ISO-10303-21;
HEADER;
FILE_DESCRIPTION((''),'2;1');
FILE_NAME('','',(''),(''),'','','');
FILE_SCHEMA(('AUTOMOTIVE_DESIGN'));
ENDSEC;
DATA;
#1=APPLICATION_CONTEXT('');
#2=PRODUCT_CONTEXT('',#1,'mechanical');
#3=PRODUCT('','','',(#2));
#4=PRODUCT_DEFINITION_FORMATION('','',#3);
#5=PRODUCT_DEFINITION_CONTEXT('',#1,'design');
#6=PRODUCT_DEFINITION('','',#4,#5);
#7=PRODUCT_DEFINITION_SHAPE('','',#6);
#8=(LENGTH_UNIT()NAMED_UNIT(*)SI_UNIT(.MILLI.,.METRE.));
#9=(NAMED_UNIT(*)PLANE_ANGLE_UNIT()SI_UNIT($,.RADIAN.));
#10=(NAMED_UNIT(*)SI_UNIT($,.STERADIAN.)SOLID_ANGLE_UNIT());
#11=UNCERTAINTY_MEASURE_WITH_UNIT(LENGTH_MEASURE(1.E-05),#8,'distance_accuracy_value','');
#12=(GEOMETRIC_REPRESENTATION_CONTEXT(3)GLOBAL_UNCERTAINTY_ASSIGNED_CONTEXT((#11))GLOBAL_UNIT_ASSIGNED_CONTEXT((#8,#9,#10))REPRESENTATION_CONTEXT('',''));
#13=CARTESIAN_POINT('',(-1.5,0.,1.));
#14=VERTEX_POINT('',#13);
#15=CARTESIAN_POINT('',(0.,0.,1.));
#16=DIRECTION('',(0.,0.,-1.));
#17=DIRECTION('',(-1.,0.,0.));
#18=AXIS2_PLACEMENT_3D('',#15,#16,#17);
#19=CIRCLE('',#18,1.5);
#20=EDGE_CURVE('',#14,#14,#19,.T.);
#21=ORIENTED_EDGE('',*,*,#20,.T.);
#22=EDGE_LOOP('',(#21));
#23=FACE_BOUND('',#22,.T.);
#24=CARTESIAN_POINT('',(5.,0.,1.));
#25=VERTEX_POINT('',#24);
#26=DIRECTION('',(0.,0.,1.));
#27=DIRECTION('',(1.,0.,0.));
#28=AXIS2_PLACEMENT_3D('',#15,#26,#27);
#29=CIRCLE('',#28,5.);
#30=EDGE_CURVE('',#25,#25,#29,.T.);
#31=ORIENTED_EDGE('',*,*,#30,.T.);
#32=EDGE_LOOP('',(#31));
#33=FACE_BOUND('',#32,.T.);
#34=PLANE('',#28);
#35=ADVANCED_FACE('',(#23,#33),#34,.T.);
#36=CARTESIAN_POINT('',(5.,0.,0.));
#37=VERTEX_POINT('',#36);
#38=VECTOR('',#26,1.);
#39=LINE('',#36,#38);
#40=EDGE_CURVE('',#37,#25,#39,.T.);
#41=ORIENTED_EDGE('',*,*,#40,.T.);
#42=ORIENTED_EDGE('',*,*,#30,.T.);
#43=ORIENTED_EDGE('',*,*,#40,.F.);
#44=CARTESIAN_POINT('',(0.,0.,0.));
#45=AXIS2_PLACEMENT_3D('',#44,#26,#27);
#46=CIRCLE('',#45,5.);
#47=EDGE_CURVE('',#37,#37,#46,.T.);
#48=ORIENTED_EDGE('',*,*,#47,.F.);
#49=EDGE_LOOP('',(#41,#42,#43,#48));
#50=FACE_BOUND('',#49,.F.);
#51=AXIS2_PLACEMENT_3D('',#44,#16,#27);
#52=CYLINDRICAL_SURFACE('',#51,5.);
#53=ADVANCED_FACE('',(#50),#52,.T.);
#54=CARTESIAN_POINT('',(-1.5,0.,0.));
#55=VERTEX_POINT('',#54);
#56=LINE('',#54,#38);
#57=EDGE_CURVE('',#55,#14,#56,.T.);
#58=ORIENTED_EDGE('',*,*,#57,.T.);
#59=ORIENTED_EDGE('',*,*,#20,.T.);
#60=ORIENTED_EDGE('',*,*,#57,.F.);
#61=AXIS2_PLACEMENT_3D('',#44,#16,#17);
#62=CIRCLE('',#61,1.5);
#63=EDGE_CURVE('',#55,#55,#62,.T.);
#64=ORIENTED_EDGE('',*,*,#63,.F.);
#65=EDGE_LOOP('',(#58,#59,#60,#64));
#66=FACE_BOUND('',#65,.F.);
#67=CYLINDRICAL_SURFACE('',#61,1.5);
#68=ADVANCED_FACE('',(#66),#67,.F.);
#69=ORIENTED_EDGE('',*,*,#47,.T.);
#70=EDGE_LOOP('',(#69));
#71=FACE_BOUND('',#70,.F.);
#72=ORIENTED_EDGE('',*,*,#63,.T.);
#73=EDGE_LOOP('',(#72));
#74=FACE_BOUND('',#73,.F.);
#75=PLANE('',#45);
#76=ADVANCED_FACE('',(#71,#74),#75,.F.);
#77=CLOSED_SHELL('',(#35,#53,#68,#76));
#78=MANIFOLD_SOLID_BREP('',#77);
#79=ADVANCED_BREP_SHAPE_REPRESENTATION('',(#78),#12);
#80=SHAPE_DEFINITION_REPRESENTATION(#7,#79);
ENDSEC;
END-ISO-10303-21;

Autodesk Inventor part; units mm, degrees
ref_plane "YZ Plane" through (0, 0, 0) normal (1, 0, 0) x (0, 1, 0)
ref_plane "XZ Plane" through (0, 0, 0) normal (0, 1, 0) x (-1, 0, 0)
ref_plane "XY Plane" through (0, 0, 0) normal (0, 0, 1) x (1, 0, 0)
sketch "Sketch1" plane through (0, 0, 0) normal (0, 0, 1) x (1, 0, 0)
  circle A0 centre (0, 0) radius 5
  dimension "d0" = 10
extrude "Extrusion1" add sketch "Sketch1" along normal blind 1
sketch "Sketch2" plane through (0, 0, 0) normal (0, 0, -1) x (-1, 0, 0)
  circle A0 centre (0, 0) radius 1.5
  dimension "d3" = 3
extrude "Extrusion2" cut sketch "Sketch2" against normal blind 1
properties part number "F11"
